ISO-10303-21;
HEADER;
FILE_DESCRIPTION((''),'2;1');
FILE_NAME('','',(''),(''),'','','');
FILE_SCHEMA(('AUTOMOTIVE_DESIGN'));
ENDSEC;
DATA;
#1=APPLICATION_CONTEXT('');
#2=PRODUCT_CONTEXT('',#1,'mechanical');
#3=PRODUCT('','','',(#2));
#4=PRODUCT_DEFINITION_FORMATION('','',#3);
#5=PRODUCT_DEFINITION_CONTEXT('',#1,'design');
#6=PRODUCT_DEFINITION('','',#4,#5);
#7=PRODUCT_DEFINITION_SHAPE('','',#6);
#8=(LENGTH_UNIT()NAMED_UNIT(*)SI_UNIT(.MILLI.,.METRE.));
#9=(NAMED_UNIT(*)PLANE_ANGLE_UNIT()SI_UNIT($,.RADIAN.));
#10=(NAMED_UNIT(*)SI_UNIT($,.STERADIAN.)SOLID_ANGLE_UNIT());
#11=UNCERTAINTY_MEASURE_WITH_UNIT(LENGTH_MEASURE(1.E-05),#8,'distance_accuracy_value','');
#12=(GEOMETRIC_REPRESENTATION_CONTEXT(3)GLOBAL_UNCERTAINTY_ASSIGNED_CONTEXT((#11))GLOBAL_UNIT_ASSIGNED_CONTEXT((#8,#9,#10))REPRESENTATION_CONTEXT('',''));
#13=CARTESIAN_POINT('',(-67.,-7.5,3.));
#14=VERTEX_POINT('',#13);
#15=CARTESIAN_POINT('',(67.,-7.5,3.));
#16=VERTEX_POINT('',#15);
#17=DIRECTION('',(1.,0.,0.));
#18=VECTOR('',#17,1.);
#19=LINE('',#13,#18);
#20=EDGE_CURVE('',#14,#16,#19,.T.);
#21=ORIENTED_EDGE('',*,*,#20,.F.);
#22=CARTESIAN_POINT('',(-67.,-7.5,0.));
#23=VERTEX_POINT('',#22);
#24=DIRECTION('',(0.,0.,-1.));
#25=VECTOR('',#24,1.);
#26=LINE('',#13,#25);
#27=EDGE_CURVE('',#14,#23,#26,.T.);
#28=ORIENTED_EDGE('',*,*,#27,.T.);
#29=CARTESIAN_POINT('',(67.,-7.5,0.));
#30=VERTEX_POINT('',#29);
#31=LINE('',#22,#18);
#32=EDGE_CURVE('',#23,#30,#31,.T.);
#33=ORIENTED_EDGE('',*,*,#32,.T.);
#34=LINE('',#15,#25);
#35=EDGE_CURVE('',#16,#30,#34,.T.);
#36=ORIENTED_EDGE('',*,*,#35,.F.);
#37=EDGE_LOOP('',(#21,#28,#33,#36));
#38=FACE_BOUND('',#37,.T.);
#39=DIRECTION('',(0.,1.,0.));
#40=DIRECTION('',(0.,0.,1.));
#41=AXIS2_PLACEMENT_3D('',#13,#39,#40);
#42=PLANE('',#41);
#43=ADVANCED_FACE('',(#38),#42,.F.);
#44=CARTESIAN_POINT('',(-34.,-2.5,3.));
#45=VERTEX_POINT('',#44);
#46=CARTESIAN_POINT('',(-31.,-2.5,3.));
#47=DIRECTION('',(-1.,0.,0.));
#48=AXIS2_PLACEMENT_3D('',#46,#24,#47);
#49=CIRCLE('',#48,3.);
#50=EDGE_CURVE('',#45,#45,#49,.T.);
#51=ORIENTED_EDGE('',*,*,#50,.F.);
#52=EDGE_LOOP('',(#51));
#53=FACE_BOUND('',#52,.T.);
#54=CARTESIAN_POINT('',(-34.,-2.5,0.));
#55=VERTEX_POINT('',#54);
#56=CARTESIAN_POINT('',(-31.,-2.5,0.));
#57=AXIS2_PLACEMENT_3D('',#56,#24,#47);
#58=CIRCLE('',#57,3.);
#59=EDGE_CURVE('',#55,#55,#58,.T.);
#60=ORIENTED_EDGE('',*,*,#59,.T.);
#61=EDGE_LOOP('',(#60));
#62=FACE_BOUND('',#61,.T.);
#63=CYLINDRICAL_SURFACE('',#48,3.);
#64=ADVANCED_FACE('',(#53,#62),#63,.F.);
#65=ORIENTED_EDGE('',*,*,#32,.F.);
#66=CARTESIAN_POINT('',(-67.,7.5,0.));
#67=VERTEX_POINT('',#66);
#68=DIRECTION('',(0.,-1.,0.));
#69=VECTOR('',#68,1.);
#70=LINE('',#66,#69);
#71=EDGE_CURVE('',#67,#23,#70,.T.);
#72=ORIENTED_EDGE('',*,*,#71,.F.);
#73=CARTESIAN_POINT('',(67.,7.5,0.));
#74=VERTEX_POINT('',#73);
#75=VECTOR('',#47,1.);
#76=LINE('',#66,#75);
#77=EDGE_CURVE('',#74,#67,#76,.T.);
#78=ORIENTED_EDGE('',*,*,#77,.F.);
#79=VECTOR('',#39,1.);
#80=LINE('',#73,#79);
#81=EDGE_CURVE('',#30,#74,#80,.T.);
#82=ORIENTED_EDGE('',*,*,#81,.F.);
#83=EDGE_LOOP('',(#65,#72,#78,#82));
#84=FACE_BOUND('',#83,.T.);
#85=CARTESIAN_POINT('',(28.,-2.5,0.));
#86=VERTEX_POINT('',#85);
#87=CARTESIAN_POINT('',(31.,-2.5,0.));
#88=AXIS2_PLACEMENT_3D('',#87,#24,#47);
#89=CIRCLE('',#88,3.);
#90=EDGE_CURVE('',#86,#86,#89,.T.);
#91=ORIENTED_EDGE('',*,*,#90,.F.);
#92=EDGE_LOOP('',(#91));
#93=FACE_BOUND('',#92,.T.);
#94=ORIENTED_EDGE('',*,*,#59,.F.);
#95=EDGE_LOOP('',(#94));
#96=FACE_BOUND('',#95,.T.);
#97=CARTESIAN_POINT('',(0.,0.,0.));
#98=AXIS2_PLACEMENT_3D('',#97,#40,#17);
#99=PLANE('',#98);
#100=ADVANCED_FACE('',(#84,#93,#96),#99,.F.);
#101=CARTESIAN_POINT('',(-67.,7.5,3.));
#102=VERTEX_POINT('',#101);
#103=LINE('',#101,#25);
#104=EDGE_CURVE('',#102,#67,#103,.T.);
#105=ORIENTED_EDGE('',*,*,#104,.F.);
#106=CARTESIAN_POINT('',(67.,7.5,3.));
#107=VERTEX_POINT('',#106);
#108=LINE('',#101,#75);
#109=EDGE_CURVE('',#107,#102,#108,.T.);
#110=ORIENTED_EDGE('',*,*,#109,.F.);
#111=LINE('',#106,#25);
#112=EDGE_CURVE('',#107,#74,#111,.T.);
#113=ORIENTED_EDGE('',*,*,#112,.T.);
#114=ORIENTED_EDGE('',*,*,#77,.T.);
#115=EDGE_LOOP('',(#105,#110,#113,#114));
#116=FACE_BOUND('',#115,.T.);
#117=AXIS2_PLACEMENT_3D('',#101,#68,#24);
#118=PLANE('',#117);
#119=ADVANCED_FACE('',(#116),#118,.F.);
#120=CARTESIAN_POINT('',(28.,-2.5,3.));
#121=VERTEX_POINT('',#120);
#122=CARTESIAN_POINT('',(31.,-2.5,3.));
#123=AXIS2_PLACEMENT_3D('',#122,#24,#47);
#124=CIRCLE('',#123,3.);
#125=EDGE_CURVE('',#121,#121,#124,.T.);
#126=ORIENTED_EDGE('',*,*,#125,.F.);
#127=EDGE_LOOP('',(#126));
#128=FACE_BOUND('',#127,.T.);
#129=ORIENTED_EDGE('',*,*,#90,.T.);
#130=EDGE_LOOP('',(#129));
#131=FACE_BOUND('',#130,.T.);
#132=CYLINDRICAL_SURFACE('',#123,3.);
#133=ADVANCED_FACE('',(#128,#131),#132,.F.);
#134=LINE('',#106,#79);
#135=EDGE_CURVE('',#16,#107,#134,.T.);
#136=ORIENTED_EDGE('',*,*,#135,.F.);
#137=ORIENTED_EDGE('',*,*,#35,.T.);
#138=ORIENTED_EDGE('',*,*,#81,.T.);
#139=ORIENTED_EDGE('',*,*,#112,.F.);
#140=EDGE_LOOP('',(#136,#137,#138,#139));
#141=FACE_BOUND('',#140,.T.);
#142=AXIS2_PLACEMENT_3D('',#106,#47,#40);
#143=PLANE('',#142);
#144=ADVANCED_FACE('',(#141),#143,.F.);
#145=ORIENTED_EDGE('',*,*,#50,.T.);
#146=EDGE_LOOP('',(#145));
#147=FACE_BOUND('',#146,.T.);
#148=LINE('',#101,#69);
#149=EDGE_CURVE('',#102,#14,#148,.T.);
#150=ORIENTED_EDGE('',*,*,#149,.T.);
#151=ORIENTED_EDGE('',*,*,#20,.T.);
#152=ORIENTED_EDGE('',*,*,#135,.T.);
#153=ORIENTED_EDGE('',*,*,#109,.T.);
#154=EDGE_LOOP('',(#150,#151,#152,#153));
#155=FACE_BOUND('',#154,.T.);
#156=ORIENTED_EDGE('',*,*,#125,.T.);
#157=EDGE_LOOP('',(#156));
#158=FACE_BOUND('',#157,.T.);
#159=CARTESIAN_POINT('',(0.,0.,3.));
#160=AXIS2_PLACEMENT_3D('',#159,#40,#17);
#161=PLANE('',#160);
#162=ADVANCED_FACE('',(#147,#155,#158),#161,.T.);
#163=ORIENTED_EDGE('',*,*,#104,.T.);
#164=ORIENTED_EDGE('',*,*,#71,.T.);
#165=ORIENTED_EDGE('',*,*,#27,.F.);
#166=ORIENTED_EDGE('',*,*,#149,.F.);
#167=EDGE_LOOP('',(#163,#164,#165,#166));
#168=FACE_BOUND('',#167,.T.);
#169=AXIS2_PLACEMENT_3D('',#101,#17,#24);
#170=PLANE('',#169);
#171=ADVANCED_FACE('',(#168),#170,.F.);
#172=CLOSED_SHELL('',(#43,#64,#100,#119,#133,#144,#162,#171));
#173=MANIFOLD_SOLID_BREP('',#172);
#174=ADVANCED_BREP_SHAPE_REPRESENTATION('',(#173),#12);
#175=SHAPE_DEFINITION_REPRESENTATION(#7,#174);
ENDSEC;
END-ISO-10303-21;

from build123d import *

# Parameters (mm, degrees)
SKETCH1_W           = 134
SKETCH1_H           = 15
BOSS_EXTRUDE1_DEPTH = 3
SKETCH4_R           = 3
CUT_EXTRUDE1_DEPTH  = 3
SKETCH2_R           = 3
CUT_EXTRUDE2_DEPTH  = 3


with BuildPart() as part:
    # Sketch1 → Boss-Extrude1 (new body)
    with BuildSketch(Plane.XY):
        Rectangle(SKETCH1_W, SKETCH1_H)
    extrude(amount=BOSS_EXTRUDE1_DEPTH)

    # Sketch4 → Cut-Extrude1 (cut)
    with BuildSketch(Plane(origin=(0, 0, 0), x_dir=(-1, 0, 0), z_dir=(0, 0, -1))):
        with Locations((-31, -2.5)):
            Circle(SKETCH4_R)
    extrude(amount=-CUT_EXTRUDE1_DEPTH, mode=Mode.SUBTRACT)

    # Sketch2 → Cut-Extrude2 (cut)
    with BuildSketch(Plane(origin=(0, 0, 0), x_dir=(-1, 0, 0), z_dir=(0, 0, -1))):
        with Locations((31, -2.5)):
            Circle(SKETCH2_R)
    extrude(amount=-CUT_EXTRUDE2_DEPTH, mode=Mode.SUBTRACT)


solid = part.part
